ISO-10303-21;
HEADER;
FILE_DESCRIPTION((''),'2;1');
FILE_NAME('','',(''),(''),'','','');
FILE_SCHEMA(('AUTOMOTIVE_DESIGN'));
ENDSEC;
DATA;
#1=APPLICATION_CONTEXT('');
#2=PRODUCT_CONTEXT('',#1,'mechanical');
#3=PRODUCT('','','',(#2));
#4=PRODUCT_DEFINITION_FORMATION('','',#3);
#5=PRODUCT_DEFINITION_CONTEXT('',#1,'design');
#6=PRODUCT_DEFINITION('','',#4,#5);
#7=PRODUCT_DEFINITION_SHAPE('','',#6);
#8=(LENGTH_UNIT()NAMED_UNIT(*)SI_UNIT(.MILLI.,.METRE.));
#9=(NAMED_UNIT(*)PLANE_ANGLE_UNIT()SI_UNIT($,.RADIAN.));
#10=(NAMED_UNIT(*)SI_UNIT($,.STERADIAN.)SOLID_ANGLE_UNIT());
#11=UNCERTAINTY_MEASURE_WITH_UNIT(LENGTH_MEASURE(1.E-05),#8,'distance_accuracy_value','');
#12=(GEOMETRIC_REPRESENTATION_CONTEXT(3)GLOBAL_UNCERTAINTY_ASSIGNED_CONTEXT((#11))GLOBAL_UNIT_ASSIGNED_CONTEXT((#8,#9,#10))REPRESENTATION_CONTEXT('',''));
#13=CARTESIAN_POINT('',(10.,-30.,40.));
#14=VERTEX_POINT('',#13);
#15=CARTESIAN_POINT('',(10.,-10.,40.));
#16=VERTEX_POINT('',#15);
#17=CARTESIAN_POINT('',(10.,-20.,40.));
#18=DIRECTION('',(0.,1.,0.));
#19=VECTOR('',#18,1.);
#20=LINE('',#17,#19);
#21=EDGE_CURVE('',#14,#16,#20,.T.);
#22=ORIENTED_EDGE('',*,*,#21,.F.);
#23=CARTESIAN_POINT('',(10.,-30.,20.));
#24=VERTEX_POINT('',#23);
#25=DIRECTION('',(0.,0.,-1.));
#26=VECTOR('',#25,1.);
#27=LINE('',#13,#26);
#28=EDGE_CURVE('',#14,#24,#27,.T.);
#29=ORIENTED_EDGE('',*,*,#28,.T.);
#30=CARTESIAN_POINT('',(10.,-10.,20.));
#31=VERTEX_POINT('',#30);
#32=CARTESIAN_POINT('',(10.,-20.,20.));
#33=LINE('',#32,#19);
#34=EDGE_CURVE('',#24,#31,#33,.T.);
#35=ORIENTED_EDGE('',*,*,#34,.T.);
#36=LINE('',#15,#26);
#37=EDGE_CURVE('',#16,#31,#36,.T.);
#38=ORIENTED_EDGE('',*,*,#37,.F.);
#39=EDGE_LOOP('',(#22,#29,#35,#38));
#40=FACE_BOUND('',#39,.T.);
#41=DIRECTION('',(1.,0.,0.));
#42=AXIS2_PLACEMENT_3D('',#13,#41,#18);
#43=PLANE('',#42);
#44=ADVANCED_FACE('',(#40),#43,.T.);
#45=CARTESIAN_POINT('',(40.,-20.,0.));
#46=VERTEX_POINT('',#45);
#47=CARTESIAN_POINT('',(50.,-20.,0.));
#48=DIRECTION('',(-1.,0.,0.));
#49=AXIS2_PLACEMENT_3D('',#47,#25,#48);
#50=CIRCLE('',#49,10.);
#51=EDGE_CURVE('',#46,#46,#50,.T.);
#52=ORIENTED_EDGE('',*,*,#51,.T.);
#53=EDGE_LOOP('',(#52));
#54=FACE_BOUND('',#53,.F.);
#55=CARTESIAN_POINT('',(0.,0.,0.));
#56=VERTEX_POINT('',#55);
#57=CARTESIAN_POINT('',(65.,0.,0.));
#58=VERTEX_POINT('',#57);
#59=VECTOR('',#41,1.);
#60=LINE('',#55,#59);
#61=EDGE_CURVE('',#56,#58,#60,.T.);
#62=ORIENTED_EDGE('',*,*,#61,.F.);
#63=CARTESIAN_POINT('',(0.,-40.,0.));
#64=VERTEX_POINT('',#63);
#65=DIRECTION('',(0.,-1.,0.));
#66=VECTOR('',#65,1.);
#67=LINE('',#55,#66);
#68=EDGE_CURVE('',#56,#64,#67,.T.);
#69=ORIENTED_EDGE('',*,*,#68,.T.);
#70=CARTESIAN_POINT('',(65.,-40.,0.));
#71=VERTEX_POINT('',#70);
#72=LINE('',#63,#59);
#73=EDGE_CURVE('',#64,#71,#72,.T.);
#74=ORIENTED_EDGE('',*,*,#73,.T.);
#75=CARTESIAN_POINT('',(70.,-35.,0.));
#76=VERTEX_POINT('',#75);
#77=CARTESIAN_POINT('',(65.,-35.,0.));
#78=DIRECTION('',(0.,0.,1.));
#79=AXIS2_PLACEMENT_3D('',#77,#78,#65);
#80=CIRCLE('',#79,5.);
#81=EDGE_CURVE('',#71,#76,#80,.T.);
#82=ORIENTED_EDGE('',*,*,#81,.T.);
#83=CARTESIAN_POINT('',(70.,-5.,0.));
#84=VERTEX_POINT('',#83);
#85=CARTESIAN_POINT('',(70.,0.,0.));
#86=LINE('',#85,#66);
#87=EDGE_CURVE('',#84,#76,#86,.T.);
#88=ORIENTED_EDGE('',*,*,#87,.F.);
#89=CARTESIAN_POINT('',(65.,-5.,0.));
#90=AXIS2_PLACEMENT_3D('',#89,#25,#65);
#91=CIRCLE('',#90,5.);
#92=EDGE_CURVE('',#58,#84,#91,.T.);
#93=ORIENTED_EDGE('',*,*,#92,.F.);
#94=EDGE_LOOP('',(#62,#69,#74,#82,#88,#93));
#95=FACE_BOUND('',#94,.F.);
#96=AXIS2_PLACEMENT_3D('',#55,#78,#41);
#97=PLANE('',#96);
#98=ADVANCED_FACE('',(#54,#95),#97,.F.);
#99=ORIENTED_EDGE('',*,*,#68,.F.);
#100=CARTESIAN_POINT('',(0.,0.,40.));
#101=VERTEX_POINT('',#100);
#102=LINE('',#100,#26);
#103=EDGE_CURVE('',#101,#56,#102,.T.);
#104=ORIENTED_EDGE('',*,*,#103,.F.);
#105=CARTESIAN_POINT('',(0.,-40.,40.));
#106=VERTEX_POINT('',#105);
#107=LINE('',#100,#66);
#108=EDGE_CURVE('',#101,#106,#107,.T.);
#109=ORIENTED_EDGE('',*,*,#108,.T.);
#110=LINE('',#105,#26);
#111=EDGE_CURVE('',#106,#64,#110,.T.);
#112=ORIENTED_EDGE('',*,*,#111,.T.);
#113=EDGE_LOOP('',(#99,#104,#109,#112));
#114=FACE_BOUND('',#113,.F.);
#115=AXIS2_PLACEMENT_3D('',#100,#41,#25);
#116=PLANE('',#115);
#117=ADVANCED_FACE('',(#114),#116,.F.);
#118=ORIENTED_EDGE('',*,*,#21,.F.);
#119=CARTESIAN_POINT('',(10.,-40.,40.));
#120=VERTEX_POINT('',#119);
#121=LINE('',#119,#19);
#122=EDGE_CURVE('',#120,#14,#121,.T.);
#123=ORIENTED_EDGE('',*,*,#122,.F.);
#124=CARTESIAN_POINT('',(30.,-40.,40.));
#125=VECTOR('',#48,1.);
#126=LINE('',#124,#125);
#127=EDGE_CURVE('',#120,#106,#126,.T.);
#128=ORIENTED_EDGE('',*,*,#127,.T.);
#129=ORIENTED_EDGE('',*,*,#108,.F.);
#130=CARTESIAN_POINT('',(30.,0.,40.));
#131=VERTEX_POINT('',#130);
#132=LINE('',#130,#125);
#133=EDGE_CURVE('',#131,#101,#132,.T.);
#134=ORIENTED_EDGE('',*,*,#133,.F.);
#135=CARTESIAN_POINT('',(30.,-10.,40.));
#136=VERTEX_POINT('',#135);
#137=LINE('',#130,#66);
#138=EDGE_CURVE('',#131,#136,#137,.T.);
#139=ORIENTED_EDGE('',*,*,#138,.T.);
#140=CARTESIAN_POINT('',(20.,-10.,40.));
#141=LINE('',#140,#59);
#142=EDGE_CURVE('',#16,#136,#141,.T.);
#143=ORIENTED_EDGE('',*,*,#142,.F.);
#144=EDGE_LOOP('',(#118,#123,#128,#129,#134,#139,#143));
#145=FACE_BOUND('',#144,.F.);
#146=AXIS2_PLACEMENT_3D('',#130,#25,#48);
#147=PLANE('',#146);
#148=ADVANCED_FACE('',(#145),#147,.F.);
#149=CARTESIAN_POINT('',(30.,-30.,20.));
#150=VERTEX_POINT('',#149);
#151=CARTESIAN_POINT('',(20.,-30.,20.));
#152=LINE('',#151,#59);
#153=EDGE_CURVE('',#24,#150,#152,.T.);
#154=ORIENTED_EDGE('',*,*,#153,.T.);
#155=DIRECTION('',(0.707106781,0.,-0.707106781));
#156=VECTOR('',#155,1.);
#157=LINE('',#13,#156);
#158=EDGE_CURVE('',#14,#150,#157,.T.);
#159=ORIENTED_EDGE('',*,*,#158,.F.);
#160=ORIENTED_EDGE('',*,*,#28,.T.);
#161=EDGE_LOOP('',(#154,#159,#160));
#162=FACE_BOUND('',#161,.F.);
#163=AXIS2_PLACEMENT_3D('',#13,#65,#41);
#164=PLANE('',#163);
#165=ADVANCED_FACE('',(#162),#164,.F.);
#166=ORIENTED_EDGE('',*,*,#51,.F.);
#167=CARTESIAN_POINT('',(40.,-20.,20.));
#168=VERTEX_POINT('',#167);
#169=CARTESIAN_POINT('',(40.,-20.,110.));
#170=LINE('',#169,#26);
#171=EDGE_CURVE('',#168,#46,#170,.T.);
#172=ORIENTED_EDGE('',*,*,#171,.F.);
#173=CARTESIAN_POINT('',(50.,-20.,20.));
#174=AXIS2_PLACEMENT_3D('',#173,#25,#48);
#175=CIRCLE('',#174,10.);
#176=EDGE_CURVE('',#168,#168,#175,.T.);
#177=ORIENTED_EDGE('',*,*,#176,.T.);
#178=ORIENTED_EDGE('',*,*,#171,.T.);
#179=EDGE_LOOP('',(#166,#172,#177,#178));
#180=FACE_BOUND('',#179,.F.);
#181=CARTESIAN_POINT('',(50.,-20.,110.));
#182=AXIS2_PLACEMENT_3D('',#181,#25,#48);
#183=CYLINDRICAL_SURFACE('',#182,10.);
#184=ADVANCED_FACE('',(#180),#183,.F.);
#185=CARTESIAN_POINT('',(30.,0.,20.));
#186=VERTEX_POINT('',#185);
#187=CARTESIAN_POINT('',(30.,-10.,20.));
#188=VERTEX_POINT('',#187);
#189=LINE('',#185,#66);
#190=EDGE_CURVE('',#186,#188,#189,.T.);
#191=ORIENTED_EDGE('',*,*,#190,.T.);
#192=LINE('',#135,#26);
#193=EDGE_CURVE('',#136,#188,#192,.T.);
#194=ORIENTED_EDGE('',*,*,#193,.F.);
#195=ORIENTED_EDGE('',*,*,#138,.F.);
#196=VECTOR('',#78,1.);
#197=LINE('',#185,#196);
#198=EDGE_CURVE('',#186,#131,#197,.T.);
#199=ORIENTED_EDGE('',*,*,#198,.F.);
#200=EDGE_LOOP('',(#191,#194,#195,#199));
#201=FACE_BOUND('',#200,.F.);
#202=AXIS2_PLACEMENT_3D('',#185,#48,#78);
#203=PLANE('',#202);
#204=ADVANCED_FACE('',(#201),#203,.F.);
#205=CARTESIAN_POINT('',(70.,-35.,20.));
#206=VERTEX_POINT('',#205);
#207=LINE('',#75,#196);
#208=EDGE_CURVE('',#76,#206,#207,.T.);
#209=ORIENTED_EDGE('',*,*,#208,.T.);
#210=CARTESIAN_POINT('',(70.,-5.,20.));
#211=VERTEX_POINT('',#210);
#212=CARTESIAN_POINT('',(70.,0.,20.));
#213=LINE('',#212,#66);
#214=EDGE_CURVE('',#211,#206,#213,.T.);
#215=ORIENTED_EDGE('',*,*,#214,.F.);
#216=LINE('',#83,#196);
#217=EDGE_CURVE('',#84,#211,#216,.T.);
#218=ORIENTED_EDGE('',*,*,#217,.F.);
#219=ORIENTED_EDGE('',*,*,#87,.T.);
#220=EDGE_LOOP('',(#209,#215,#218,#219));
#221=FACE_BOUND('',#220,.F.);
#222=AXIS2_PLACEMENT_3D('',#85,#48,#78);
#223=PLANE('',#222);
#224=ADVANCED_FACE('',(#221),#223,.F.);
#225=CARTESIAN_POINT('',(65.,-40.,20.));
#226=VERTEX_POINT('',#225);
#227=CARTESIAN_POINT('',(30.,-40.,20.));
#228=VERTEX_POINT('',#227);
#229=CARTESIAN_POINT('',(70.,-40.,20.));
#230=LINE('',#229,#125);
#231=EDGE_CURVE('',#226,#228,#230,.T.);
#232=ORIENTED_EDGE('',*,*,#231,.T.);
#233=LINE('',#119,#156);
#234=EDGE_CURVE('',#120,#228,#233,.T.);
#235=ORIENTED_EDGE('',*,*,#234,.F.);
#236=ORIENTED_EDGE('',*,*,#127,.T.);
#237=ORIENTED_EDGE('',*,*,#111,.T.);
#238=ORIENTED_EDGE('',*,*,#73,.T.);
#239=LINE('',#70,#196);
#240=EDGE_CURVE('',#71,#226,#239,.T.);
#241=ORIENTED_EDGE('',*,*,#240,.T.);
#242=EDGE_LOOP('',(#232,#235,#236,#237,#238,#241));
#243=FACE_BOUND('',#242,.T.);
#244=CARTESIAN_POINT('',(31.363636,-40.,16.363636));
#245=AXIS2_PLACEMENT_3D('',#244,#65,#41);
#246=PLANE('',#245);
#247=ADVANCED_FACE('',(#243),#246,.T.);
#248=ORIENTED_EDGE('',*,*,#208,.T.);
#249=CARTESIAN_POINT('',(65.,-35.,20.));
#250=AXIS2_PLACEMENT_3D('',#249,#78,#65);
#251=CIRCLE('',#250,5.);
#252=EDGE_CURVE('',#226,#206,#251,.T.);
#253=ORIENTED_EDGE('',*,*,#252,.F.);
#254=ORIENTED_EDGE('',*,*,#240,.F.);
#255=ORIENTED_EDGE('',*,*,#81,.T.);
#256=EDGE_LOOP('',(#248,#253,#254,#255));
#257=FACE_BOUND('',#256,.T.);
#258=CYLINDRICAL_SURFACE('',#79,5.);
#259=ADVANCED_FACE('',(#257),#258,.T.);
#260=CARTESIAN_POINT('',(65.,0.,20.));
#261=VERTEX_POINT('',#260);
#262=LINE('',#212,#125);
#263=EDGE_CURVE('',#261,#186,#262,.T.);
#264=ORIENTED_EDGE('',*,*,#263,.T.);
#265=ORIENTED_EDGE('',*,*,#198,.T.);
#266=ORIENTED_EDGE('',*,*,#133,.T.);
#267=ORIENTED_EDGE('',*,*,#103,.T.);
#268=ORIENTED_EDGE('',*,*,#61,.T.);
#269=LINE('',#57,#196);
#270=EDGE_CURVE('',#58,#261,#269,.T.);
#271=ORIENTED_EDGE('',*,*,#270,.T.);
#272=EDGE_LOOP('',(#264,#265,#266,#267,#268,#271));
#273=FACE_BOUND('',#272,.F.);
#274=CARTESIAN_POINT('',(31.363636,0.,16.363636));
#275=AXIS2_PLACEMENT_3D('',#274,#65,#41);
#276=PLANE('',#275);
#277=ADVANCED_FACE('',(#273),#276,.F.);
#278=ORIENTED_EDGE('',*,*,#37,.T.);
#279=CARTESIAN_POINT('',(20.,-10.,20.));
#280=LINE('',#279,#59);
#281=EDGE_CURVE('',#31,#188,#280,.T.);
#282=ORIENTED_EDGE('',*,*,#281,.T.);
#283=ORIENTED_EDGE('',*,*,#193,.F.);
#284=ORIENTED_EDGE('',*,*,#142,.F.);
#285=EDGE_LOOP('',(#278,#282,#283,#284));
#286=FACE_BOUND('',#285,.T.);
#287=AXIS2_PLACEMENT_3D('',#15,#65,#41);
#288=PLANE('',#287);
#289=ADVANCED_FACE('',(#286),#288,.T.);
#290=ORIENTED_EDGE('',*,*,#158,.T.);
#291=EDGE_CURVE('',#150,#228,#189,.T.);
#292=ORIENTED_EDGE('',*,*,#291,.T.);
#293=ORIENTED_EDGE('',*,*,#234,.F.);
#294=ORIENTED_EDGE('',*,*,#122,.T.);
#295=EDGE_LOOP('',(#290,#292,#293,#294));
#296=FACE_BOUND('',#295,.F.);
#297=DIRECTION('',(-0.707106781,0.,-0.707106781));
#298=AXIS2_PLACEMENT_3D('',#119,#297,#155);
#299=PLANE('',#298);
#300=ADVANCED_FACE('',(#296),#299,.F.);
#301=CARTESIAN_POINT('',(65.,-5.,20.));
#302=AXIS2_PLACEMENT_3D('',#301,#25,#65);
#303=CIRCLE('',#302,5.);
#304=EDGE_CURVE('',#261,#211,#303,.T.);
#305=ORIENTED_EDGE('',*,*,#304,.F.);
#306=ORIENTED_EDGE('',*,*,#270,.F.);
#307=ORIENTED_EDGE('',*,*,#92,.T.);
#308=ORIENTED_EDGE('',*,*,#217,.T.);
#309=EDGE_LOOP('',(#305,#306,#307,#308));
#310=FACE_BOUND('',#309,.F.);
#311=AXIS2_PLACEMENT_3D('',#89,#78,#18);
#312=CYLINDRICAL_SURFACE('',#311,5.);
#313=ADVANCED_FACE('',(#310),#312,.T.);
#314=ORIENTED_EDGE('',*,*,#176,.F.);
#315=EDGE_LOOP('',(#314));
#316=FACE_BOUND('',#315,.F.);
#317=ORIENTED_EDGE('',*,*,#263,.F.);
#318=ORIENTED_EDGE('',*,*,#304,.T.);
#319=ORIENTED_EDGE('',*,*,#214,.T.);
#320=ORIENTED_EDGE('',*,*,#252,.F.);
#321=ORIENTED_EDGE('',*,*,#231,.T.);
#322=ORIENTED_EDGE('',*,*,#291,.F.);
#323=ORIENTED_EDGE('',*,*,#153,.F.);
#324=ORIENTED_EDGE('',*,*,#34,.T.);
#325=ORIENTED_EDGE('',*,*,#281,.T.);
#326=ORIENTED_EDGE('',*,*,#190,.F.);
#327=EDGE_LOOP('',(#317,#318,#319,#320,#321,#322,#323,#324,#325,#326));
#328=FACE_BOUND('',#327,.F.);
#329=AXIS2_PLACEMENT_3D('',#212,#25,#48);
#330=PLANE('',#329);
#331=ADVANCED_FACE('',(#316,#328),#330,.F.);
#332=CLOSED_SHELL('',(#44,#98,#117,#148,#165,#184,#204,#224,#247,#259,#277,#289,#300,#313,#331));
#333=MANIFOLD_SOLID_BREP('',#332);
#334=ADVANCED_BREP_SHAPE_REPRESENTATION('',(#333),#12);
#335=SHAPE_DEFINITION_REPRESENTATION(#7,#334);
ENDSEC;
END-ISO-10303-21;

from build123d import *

# Parameters (mm, degrees)
F1_DEPTH = 40
F2_W     = 20
F2_H     = 20
F3_DEPTH = 20
F5_DEPTH = 10
F7_D     = 20
F8_R     = 5


with BuildPart() as f1:
    # F0 (on Front) → F1 (new body)
    with BuildSketch(Plane.XZ):
        Polygon((0, 40), (0, 0), (70, 0), (70, 20), (30, 20), (30, 40), align=None)
    extrude(amount=F1_DEPTH)

    # F2 (on face) → F3 (cut, through all)
    with BuildSketch(Plane.XY.offset(40)):
        with Locations((20, -20)):
            Rectangle(F2_W, F2_H)
    extrude(amount=-F3_DEPTH, mode=Mode.SUBTRACT)

    # F4 (on face) → F5 (cut, through all)
    with BuildSketch(Plane.XZ.offset(40)):
        Polygon((10, 40), (30, 20), (30, 40), align=None)
    extrude(amount=-F5_DEPTH, mode=Mode.SUBTRACT)

    # F7 (through all)
    with Locations(Plane.XY.offset(20)):
        with Locations((50, -20)):
            Hole(F7_D / 2)

    # F8
    f8_edges = [f1.edges().sort_by_distance(p)[0] for p in [
        (70, -40, 10),
        (70, 0, 10),
    ]]
    fillet(f8_edges, radius=F8_R)


solid = f1.part
